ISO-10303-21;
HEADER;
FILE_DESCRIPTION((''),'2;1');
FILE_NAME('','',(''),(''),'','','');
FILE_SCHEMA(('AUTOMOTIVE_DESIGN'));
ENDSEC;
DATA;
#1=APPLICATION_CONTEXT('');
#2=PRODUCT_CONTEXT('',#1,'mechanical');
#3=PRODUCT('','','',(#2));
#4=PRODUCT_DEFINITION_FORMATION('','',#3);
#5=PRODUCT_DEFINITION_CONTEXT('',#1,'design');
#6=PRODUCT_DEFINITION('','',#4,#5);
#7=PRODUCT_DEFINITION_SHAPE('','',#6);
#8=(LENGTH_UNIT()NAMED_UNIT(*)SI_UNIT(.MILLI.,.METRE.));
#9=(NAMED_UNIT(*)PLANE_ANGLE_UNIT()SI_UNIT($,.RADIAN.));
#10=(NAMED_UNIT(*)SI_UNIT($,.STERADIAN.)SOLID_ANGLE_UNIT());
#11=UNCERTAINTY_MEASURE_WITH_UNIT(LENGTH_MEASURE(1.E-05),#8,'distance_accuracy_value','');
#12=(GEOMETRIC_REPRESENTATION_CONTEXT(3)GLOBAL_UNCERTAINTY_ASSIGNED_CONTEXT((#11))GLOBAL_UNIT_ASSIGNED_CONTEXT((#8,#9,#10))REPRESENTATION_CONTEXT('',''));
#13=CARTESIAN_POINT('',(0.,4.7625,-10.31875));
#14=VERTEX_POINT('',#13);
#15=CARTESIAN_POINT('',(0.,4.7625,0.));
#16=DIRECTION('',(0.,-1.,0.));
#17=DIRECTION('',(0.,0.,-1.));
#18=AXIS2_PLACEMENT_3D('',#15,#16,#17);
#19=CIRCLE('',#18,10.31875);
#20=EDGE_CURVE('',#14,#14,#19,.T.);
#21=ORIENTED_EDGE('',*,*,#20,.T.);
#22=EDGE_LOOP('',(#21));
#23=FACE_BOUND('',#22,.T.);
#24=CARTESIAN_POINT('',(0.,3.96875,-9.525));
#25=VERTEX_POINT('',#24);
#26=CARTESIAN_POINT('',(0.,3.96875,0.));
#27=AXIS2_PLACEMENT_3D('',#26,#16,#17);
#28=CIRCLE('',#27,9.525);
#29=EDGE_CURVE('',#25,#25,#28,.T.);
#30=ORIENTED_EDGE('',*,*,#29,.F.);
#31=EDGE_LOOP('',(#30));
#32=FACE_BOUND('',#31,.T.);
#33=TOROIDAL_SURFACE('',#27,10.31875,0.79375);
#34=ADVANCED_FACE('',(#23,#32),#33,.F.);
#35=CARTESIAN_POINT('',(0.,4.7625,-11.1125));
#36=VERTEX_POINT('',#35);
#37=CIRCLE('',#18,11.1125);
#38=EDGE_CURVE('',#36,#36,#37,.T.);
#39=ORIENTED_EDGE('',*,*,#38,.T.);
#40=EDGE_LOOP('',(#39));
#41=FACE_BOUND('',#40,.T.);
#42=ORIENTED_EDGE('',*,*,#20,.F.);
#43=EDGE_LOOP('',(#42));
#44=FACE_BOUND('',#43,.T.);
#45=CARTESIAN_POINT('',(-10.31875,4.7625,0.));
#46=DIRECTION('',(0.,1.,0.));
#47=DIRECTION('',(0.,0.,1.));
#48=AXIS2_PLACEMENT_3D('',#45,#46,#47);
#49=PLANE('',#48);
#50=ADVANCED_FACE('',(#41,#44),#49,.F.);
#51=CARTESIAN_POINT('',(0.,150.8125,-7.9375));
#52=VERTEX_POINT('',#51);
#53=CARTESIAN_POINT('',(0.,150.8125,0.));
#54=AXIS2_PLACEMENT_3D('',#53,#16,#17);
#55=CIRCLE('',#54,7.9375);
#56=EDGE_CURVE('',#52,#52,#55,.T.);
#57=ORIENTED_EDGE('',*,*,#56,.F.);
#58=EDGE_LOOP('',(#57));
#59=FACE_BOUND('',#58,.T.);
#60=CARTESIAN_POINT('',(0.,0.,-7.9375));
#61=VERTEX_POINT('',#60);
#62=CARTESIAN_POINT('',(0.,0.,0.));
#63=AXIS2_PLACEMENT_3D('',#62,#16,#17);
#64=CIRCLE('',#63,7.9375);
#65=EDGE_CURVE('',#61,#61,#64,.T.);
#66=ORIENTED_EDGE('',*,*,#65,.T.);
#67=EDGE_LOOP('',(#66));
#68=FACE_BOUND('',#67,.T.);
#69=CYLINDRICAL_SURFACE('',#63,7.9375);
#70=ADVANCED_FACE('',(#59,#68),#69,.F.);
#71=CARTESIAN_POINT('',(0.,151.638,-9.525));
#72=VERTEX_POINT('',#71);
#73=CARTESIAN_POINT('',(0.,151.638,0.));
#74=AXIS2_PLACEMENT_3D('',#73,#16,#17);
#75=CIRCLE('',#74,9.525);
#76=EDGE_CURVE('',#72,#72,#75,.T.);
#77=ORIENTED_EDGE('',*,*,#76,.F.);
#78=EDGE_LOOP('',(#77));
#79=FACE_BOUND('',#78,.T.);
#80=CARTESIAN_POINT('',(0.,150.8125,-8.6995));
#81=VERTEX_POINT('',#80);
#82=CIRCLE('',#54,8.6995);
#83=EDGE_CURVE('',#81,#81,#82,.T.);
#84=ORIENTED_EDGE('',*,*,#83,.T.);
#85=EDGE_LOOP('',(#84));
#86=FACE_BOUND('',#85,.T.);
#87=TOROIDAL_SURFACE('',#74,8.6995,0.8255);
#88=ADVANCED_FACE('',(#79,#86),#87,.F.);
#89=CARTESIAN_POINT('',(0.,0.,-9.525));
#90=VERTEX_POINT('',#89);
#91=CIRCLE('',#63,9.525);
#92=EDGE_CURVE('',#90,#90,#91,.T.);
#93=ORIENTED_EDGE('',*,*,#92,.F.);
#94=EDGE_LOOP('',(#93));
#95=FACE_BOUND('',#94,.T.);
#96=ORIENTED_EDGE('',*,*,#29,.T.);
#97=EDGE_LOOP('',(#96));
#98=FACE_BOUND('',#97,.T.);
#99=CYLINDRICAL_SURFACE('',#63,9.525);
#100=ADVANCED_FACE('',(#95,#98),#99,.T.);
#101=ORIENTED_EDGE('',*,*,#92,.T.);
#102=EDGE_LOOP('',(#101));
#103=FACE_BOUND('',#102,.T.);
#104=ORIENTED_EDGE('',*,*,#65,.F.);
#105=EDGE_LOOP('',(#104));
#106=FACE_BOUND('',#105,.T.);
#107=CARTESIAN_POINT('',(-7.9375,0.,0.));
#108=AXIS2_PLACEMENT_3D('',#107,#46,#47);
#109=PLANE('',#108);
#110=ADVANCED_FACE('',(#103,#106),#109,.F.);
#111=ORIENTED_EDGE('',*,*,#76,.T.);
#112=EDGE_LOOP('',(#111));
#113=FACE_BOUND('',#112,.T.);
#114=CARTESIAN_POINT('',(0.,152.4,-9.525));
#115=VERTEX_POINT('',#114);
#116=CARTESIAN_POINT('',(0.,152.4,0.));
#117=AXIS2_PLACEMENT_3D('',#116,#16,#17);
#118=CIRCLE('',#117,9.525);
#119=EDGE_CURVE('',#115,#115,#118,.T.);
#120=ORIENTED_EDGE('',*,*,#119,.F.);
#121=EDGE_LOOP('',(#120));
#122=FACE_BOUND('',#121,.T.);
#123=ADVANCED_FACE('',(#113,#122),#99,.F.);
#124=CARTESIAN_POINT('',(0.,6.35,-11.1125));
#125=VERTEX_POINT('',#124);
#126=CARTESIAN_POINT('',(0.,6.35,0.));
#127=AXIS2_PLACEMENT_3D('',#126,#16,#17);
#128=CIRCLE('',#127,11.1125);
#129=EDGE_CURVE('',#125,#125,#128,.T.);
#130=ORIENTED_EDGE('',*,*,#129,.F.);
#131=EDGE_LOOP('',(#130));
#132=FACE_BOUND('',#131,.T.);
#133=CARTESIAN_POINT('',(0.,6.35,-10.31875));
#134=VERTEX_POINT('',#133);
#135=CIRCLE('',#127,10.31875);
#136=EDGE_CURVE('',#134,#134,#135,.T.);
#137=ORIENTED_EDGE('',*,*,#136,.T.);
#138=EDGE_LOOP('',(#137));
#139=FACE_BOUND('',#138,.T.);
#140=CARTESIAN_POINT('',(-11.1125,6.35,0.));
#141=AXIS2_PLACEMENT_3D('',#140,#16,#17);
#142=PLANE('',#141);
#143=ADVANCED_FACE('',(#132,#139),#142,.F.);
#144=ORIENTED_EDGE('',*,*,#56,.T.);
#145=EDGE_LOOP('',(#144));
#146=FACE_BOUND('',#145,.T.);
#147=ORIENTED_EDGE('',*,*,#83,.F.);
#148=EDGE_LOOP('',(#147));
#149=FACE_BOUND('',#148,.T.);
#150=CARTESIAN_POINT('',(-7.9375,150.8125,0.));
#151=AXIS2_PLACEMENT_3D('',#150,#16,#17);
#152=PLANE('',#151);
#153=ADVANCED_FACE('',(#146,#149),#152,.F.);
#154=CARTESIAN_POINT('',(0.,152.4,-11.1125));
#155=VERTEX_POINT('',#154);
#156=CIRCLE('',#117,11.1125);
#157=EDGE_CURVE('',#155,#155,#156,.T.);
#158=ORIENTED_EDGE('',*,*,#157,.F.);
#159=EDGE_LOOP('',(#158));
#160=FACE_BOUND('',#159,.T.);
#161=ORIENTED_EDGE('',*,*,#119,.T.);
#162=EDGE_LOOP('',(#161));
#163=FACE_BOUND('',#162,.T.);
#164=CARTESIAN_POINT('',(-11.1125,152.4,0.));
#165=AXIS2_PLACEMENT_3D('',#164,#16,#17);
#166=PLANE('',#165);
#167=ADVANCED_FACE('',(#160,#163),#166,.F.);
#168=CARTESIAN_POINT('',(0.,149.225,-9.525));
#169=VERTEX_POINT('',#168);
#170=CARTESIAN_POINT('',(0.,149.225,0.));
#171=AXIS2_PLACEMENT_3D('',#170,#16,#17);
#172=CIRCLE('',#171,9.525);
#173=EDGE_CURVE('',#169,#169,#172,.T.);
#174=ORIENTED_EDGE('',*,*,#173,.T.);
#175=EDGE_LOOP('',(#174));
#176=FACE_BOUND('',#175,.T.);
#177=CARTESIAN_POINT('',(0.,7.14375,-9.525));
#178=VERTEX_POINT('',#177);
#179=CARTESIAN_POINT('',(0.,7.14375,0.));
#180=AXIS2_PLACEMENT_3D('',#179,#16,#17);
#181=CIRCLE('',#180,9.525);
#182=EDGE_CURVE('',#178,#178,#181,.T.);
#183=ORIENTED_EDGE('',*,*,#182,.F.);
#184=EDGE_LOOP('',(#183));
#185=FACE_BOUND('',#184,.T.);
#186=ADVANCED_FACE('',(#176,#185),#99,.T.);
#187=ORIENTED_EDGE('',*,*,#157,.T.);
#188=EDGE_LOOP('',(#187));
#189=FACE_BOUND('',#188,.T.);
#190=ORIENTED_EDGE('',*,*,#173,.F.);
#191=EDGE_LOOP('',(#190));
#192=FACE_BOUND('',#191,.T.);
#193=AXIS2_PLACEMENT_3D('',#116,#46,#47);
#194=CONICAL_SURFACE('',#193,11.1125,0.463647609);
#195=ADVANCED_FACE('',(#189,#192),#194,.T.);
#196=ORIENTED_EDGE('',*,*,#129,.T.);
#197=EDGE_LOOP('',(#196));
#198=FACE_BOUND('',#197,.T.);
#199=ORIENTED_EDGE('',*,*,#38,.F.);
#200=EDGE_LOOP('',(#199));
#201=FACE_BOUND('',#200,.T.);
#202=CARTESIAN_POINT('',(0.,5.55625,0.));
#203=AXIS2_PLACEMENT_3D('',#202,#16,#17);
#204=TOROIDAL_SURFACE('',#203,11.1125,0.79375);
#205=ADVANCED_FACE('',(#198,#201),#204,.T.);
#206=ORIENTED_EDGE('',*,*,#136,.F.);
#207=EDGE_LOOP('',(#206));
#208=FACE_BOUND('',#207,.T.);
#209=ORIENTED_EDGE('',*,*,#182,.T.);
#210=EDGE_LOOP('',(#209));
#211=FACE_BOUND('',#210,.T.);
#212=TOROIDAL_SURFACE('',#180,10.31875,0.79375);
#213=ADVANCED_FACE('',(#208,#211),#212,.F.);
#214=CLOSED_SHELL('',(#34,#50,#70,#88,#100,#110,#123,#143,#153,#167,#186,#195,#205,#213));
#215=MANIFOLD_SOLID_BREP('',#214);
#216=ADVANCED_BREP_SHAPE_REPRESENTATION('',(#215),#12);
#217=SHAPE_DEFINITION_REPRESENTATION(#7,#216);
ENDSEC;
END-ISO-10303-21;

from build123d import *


with BuildPart() as part:
    # Sketch1 → Revolve1 (revolve)
    with BuildSketch(Plane.XY, mode=Mode.PRIVATE) as revolve1_sk:
        with BuildLine():
            Line((-7.9375, 0), (-7.9375, 150.8125))
            Line((-7.9375, 150.8125), (-8.6995, 150.8125))
            ThreePointArc((-8.6995, 150.8125), (-9.283216648, 151.054283352), (-9.525, 151.638))
            Line((-9.525, 151.638), (-9.525, 152.4))
            Line((-9.525, 152.4), (-11.1125, 152.4))
            Line((-11.1125, 152.4), (-9.525, 149.225))
            Line((-9.525, 149.225), (-9.525, 7.14375))
            ThreePointArc((-9.525, 7.14375), (-9.757483992, 6.582483992), (-10.31875, 6.35))
            Line((-10.31875, 6.35), (-11.1125, 6.35))
            ThreePointArc((-11.1125, 6.35), (-11.90625, 5.55625), (-11.1125, 4.7625))
            Line((-11.1125, 4.7625), (-10.31875, 4.7625))
            ThreePointArc((-10.31875, 4.7625), (-9.757483992, 4.530016008), (-9.525, 3.96875))
            Line((-9.525, 3.96875), (-9.525, 0))
            Line((-9.525, 0), (-7.9375, 0))
        make_face()
    revolve(revolve1_sk.sketch.rotate(Axis((0, 0, 0), (0, 1, 0)), 270), axis=Axis((0, 0, 0), (0, 1, 0)))


solid = part.part
